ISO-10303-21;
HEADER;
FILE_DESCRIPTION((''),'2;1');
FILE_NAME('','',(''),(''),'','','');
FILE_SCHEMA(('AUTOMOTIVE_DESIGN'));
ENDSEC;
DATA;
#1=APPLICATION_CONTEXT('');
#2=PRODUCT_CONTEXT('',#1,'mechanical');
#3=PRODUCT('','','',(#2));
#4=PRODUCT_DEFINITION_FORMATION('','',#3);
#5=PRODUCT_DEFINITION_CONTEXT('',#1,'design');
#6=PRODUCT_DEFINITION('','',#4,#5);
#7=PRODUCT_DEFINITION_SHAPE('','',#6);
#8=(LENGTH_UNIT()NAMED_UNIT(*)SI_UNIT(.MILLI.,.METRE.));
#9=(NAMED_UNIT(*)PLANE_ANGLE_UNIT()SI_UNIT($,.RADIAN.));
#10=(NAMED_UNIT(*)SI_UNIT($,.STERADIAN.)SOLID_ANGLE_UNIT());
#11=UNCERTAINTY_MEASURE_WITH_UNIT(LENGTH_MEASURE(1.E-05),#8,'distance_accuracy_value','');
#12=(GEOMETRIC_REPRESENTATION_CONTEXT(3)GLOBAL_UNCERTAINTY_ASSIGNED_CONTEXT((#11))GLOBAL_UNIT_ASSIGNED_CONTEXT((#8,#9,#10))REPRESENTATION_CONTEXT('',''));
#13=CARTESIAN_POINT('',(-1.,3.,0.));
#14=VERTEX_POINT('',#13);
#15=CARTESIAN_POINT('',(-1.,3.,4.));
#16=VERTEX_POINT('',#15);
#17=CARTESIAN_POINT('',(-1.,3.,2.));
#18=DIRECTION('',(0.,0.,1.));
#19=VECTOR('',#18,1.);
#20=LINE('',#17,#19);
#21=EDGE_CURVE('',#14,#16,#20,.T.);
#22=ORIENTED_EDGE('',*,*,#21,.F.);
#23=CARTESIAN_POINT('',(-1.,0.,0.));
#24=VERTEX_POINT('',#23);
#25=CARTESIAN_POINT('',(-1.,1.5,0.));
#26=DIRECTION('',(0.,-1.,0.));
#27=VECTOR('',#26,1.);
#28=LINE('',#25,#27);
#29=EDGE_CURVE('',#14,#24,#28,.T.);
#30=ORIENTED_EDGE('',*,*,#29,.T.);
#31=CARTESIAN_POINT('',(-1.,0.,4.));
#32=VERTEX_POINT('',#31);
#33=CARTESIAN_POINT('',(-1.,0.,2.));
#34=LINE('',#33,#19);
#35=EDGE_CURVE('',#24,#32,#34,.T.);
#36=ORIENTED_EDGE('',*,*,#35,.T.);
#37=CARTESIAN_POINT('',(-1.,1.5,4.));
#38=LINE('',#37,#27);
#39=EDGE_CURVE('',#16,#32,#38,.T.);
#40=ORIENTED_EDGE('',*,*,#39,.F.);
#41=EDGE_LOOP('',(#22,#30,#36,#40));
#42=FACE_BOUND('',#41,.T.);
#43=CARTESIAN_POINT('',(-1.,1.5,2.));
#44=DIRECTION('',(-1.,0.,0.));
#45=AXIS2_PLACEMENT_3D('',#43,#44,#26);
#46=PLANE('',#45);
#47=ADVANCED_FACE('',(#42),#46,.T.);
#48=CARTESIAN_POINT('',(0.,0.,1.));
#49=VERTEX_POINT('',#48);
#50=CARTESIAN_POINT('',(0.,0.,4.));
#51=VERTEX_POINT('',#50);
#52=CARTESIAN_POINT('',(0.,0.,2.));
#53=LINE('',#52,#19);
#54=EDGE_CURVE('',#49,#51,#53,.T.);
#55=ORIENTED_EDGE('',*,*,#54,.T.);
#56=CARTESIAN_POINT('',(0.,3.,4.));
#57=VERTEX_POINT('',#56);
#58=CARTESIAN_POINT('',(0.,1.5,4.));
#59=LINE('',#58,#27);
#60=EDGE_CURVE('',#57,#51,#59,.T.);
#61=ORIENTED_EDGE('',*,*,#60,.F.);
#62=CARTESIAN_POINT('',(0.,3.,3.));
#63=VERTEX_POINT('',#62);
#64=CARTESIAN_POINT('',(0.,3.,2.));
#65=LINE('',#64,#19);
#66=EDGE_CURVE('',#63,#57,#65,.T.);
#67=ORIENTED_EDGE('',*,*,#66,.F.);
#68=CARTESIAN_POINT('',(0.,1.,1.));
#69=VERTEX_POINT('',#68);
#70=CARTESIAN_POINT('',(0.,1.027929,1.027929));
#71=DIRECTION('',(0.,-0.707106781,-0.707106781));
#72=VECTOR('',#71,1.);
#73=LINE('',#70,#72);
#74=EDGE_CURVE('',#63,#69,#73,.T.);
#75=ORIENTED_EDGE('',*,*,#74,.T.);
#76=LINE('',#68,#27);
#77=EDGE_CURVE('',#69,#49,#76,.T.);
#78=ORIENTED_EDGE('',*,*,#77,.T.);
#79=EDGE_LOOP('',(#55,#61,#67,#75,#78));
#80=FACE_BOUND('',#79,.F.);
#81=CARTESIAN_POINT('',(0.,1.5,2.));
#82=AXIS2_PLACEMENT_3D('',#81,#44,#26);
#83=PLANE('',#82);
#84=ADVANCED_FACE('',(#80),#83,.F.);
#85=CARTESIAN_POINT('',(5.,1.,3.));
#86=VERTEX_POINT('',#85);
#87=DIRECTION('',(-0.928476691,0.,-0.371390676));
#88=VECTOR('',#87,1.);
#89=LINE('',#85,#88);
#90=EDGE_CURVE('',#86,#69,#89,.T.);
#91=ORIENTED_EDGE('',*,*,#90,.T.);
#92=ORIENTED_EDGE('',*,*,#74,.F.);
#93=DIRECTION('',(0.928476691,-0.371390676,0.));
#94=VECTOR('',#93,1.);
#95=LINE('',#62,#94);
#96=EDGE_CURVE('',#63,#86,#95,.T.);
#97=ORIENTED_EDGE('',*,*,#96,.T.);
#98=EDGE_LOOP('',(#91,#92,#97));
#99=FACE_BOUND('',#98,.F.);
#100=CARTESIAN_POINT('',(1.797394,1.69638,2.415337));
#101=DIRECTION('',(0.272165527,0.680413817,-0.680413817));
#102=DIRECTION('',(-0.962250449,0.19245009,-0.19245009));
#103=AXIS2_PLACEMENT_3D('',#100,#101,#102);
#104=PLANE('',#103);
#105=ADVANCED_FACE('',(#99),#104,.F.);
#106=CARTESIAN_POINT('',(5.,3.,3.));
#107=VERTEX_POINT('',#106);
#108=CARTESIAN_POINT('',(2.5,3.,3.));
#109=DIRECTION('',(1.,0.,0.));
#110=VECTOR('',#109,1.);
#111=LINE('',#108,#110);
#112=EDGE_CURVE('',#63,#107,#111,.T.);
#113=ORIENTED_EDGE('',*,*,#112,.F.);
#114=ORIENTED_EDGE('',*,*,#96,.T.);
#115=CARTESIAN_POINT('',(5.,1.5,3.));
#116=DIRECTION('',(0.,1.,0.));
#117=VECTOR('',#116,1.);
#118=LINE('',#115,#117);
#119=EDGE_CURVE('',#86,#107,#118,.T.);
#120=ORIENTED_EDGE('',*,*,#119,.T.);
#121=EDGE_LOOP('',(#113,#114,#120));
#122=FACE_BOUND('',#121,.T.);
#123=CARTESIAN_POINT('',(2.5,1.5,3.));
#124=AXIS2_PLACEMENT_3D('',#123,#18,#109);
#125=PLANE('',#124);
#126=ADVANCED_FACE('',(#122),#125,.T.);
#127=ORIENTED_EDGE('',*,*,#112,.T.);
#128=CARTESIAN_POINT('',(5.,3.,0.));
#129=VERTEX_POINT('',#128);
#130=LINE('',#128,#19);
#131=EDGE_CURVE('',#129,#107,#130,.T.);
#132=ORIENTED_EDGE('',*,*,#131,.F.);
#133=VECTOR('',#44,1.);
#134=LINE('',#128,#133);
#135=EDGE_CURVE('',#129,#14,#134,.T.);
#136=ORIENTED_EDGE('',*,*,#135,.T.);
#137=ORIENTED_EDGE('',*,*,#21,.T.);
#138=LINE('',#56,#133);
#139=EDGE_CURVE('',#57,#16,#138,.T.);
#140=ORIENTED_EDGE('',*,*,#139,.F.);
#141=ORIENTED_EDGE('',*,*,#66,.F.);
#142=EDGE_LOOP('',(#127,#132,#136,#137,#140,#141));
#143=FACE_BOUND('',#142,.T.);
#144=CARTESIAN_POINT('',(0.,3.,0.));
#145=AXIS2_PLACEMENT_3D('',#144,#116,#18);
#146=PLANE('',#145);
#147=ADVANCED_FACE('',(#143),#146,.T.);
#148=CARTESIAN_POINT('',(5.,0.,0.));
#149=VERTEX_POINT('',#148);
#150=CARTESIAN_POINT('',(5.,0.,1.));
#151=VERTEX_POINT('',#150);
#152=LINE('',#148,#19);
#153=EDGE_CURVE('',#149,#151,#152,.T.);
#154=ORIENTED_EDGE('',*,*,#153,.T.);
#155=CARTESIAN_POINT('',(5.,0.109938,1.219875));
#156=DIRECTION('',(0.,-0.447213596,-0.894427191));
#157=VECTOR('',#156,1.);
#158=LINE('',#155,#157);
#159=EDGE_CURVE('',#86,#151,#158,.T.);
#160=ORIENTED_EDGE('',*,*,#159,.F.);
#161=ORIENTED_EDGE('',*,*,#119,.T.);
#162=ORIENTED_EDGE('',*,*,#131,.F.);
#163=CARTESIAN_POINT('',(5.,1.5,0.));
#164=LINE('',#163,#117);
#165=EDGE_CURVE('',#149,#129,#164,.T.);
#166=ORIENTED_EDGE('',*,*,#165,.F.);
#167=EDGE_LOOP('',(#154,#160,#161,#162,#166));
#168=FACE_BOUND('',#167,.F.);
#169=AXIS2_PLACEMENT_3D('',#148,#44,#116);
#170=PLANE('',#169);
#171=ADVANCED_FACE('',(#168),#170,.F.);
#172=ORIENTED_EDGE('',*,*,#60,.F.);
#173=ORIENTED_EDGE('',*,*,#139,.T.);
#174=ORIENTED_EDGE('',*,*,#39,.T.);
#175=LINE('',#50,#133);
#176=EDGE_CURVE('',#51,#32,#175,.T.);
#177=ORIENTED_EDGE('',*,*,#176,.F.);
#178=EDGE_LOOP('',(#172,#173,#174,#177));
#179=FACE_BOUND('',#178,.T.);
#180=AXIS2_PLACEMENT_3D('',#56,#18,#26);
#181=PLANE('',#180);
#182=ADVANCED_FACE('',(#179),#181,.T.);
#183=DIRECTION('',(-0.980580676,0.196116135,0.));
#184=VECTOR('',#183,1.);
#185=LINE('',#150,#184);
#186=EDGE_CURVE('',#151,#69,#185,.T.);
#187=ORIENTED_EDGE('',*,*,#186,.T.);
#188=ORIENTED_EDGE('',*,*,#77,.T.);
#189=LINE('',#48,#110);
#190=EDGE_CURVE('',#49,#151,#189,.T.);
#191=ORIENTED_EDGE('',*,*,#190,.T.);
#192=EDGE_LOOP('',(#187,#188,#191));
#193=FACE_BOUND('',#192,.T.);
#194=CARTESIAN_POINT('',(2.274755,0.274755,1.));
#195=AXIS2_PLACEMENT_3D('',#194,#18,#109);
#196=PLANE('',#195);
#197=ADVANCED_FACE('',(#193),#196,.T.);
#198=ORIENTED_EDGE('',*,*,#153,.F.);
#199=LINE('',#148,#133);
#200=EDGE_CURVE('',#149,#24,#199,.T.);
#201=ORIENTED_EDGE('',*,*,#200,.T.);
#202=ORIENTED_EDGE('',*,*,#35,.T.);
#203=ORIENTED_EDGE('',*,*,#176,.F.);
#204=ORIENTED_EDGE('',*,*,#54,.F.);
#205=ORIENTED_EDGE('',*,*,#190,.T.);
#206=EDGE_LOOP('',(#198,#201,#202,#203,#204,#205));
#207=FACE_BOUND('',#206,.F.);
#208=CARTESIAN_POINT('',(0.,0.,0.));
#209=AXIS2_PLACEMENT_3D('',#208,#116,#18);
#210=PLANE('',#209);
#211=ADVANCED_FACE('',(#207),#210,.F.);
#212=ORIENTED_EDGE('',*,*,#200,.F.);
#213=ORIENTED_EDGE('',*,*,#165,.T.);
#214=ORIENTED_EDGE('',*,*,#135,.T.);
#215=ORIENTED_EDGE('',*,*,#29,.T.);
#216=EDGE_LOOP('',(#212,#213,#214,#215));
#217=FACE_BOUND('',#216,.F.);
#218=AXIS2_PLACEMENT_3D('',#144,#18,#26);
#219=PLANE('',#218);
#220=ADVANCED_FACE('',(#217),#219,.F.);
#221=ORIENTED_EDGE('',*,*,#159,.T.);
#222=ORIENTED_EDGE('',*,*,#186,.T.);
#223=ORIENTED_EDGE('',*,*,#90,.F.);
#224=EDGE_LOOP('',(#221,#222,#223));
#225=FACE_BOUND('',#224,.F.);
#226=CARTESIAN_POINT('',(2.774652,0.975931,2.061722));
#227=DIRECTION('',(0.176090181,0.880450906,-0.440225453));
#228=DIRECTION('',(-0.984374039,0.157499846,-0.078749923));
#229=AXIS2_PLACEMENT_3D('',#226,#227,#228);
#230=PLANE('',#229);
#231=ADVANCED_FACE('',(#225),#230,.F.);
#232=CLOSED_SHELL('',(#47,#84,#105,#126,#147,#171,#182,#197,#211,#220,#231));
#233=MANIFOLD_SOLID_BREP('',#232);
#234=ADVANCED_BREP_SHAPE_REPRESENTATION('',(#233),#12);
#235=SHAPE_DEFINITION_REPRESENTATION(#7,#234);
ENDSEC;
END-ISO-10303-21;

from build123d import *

# Parameters (mm, degrees)
F0_W      = 5
F0_H      = 3
F1_DEPTH  = 3
F3_DEPTH  = 2
F7_DEPTH  = 25
F10_DEPTH = 25
F11_W     = 3
F11_H     = 4
F12_DEPTH = 1


with BuildPart() as f1:
    # F0 (on Top) → F1 (new body)
    with BuildSketch(Plane.XY):
        with Locations((2.5, 1.5)):
            Rectangle(F0_W, F0_H)
    extrude(amount=F1_DEPTH)

    # F2 (on face) → F3 (cut)
    with BuildSketch(Plane.XY.offset(3)):
        Polygon((0, 1), (0, 0), (5, 0), align=None)
    extrude(amount=-F3_DEPTH, mode=Mode.SUBTRACT)

    # F6 (on 3pt) → F7 (cut)
    with BuildSketch(Plane(origin=(0.0775193798, 0.3875968992, -0.1937984496), x_dir=(-0.9843740387, 0.1574998462, -0.0787499231), z_dir=(0.1760901813, 0.8804509063, -0.4402254532))):
        Polygon((-5.9700050923, 3.0451455805), (-5.0006201166, 0.894427191), (0.0787499231, 1.3416407865), (0.0787499231, 3.577708764), (-5.0006201166, 3.1304951685), align=None)
    extrude(amount=-F7_DEPTH, mode=Mode.SUBTRACT)

    # F9 (on 3pt) → F10 (cut)
    with BuildSketch(Plane(origin=(0, 0, 0), x_dir=(-0.9622504486, 0.1924500897, -0.1924500897), z_dir=(0.272165527, 0.6804138174, -0.6804138174))):
        Polygon((0, 4.2426406871), (-5.1961524227, 2.8284271247), (0, 1.4142135624), (0.5804975871, 4.4006321188), align=None)
    extrude(amount=-F10_DEPTH, mode=Mode.SUBTRACT)

    # F11 (on face) → F12 (join)
    with BuildSketch(Plane(origin=(0, 0, 0), x_dir=(0, -1, 0), z_dir=(-1, 0, 0))):
        with Locations((-1.5, 2)):
            Rectangle(F11_W, F11_H)
    extrude(amount=F12_DEPTH)


solid = f1.part
